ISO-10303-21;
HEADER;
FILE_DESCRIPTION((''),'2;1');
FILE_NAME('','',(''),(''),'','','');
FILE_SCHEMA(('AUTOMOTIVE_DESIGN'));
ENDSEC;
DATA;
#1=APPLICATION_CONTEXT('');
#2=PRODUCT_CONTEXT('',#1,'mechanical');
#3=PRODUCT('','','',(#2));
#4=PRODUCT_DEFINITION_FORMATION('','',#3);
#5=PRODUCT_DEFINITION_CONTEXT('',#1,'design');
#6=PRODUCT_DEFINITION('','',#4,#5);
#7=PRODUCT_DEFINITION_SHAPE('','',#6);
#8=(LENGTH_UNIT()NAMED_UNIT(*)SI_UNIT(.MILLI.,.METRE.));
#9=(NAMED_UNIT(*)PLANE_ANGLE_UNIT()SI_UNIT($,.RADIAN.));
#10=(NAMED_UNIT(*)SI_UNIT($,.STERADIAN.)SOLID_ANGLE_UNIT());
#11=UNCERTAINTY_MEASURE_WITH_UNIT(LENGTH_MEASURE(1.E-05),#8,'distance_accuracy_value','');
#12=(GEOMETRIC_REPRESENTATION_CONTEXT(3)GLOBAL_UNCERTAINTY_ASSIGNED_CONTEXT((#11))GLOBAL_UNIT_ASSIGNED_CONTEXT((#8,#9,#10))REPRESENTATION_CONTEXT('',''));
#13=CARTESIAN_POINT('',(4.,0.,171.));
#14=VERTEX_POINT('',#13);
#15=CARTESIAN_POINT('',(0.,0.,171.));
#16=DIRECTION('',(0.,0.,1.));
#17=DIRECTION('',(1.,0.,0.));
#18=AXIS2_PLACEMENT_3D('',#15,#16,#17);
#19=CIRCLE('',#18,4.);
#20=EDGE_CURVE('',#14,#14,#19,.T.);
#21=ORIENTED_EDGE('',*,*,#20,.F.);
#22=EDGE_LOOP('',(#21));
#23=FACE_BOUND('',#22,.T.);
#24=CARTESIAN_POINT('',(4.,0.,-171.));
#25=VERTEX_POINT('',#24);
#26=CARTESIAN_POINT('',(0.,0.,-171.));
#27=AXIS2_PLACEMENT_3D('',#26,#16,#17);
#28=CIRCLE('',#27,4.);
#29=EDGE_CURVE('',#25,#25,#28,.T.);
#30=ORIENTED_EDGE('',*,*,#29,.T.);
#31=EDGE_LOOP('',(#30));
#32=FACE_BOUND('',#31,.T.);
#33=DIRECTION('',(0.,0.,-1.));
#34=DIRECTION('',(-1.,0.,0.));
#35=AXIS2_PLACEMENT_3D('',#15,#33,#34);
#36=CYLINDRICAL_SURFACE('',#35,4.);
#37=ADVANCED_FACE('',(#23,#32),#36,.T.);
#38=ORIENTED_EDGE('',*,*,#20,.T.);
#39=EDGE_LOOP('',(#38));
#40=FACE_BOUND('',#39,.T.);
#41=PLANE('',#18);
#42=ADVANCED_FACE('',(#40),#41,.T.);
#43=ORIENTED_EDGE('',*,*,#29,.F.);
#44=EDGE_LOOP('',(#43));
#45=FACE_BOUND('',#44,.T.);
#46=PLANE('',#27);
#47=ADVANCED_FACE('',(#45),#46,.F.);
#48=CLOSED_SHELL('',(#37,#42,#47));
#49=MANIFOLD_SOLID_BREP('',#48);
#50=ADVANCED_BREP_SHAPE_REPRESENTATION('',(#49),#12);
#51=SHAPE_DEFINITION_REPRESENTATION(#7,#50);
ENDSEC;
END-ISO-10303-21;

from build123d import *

# Parameters (mm, degrees)
ESBO_O1_R                = 4
RESSALTO_EXTRUS_O1_DEPTH = 171


with BuildPart() as part:
    # Esboço1 → Ressalto-extrusão1 (new, symmetric)
    with BuildSketch(Plane.XY):
        Circle(ESBO_O1_R)
    extrude(amount=RESSALTO_EXTRUS_O1_DEPTH, both=True)


solid = part.part
